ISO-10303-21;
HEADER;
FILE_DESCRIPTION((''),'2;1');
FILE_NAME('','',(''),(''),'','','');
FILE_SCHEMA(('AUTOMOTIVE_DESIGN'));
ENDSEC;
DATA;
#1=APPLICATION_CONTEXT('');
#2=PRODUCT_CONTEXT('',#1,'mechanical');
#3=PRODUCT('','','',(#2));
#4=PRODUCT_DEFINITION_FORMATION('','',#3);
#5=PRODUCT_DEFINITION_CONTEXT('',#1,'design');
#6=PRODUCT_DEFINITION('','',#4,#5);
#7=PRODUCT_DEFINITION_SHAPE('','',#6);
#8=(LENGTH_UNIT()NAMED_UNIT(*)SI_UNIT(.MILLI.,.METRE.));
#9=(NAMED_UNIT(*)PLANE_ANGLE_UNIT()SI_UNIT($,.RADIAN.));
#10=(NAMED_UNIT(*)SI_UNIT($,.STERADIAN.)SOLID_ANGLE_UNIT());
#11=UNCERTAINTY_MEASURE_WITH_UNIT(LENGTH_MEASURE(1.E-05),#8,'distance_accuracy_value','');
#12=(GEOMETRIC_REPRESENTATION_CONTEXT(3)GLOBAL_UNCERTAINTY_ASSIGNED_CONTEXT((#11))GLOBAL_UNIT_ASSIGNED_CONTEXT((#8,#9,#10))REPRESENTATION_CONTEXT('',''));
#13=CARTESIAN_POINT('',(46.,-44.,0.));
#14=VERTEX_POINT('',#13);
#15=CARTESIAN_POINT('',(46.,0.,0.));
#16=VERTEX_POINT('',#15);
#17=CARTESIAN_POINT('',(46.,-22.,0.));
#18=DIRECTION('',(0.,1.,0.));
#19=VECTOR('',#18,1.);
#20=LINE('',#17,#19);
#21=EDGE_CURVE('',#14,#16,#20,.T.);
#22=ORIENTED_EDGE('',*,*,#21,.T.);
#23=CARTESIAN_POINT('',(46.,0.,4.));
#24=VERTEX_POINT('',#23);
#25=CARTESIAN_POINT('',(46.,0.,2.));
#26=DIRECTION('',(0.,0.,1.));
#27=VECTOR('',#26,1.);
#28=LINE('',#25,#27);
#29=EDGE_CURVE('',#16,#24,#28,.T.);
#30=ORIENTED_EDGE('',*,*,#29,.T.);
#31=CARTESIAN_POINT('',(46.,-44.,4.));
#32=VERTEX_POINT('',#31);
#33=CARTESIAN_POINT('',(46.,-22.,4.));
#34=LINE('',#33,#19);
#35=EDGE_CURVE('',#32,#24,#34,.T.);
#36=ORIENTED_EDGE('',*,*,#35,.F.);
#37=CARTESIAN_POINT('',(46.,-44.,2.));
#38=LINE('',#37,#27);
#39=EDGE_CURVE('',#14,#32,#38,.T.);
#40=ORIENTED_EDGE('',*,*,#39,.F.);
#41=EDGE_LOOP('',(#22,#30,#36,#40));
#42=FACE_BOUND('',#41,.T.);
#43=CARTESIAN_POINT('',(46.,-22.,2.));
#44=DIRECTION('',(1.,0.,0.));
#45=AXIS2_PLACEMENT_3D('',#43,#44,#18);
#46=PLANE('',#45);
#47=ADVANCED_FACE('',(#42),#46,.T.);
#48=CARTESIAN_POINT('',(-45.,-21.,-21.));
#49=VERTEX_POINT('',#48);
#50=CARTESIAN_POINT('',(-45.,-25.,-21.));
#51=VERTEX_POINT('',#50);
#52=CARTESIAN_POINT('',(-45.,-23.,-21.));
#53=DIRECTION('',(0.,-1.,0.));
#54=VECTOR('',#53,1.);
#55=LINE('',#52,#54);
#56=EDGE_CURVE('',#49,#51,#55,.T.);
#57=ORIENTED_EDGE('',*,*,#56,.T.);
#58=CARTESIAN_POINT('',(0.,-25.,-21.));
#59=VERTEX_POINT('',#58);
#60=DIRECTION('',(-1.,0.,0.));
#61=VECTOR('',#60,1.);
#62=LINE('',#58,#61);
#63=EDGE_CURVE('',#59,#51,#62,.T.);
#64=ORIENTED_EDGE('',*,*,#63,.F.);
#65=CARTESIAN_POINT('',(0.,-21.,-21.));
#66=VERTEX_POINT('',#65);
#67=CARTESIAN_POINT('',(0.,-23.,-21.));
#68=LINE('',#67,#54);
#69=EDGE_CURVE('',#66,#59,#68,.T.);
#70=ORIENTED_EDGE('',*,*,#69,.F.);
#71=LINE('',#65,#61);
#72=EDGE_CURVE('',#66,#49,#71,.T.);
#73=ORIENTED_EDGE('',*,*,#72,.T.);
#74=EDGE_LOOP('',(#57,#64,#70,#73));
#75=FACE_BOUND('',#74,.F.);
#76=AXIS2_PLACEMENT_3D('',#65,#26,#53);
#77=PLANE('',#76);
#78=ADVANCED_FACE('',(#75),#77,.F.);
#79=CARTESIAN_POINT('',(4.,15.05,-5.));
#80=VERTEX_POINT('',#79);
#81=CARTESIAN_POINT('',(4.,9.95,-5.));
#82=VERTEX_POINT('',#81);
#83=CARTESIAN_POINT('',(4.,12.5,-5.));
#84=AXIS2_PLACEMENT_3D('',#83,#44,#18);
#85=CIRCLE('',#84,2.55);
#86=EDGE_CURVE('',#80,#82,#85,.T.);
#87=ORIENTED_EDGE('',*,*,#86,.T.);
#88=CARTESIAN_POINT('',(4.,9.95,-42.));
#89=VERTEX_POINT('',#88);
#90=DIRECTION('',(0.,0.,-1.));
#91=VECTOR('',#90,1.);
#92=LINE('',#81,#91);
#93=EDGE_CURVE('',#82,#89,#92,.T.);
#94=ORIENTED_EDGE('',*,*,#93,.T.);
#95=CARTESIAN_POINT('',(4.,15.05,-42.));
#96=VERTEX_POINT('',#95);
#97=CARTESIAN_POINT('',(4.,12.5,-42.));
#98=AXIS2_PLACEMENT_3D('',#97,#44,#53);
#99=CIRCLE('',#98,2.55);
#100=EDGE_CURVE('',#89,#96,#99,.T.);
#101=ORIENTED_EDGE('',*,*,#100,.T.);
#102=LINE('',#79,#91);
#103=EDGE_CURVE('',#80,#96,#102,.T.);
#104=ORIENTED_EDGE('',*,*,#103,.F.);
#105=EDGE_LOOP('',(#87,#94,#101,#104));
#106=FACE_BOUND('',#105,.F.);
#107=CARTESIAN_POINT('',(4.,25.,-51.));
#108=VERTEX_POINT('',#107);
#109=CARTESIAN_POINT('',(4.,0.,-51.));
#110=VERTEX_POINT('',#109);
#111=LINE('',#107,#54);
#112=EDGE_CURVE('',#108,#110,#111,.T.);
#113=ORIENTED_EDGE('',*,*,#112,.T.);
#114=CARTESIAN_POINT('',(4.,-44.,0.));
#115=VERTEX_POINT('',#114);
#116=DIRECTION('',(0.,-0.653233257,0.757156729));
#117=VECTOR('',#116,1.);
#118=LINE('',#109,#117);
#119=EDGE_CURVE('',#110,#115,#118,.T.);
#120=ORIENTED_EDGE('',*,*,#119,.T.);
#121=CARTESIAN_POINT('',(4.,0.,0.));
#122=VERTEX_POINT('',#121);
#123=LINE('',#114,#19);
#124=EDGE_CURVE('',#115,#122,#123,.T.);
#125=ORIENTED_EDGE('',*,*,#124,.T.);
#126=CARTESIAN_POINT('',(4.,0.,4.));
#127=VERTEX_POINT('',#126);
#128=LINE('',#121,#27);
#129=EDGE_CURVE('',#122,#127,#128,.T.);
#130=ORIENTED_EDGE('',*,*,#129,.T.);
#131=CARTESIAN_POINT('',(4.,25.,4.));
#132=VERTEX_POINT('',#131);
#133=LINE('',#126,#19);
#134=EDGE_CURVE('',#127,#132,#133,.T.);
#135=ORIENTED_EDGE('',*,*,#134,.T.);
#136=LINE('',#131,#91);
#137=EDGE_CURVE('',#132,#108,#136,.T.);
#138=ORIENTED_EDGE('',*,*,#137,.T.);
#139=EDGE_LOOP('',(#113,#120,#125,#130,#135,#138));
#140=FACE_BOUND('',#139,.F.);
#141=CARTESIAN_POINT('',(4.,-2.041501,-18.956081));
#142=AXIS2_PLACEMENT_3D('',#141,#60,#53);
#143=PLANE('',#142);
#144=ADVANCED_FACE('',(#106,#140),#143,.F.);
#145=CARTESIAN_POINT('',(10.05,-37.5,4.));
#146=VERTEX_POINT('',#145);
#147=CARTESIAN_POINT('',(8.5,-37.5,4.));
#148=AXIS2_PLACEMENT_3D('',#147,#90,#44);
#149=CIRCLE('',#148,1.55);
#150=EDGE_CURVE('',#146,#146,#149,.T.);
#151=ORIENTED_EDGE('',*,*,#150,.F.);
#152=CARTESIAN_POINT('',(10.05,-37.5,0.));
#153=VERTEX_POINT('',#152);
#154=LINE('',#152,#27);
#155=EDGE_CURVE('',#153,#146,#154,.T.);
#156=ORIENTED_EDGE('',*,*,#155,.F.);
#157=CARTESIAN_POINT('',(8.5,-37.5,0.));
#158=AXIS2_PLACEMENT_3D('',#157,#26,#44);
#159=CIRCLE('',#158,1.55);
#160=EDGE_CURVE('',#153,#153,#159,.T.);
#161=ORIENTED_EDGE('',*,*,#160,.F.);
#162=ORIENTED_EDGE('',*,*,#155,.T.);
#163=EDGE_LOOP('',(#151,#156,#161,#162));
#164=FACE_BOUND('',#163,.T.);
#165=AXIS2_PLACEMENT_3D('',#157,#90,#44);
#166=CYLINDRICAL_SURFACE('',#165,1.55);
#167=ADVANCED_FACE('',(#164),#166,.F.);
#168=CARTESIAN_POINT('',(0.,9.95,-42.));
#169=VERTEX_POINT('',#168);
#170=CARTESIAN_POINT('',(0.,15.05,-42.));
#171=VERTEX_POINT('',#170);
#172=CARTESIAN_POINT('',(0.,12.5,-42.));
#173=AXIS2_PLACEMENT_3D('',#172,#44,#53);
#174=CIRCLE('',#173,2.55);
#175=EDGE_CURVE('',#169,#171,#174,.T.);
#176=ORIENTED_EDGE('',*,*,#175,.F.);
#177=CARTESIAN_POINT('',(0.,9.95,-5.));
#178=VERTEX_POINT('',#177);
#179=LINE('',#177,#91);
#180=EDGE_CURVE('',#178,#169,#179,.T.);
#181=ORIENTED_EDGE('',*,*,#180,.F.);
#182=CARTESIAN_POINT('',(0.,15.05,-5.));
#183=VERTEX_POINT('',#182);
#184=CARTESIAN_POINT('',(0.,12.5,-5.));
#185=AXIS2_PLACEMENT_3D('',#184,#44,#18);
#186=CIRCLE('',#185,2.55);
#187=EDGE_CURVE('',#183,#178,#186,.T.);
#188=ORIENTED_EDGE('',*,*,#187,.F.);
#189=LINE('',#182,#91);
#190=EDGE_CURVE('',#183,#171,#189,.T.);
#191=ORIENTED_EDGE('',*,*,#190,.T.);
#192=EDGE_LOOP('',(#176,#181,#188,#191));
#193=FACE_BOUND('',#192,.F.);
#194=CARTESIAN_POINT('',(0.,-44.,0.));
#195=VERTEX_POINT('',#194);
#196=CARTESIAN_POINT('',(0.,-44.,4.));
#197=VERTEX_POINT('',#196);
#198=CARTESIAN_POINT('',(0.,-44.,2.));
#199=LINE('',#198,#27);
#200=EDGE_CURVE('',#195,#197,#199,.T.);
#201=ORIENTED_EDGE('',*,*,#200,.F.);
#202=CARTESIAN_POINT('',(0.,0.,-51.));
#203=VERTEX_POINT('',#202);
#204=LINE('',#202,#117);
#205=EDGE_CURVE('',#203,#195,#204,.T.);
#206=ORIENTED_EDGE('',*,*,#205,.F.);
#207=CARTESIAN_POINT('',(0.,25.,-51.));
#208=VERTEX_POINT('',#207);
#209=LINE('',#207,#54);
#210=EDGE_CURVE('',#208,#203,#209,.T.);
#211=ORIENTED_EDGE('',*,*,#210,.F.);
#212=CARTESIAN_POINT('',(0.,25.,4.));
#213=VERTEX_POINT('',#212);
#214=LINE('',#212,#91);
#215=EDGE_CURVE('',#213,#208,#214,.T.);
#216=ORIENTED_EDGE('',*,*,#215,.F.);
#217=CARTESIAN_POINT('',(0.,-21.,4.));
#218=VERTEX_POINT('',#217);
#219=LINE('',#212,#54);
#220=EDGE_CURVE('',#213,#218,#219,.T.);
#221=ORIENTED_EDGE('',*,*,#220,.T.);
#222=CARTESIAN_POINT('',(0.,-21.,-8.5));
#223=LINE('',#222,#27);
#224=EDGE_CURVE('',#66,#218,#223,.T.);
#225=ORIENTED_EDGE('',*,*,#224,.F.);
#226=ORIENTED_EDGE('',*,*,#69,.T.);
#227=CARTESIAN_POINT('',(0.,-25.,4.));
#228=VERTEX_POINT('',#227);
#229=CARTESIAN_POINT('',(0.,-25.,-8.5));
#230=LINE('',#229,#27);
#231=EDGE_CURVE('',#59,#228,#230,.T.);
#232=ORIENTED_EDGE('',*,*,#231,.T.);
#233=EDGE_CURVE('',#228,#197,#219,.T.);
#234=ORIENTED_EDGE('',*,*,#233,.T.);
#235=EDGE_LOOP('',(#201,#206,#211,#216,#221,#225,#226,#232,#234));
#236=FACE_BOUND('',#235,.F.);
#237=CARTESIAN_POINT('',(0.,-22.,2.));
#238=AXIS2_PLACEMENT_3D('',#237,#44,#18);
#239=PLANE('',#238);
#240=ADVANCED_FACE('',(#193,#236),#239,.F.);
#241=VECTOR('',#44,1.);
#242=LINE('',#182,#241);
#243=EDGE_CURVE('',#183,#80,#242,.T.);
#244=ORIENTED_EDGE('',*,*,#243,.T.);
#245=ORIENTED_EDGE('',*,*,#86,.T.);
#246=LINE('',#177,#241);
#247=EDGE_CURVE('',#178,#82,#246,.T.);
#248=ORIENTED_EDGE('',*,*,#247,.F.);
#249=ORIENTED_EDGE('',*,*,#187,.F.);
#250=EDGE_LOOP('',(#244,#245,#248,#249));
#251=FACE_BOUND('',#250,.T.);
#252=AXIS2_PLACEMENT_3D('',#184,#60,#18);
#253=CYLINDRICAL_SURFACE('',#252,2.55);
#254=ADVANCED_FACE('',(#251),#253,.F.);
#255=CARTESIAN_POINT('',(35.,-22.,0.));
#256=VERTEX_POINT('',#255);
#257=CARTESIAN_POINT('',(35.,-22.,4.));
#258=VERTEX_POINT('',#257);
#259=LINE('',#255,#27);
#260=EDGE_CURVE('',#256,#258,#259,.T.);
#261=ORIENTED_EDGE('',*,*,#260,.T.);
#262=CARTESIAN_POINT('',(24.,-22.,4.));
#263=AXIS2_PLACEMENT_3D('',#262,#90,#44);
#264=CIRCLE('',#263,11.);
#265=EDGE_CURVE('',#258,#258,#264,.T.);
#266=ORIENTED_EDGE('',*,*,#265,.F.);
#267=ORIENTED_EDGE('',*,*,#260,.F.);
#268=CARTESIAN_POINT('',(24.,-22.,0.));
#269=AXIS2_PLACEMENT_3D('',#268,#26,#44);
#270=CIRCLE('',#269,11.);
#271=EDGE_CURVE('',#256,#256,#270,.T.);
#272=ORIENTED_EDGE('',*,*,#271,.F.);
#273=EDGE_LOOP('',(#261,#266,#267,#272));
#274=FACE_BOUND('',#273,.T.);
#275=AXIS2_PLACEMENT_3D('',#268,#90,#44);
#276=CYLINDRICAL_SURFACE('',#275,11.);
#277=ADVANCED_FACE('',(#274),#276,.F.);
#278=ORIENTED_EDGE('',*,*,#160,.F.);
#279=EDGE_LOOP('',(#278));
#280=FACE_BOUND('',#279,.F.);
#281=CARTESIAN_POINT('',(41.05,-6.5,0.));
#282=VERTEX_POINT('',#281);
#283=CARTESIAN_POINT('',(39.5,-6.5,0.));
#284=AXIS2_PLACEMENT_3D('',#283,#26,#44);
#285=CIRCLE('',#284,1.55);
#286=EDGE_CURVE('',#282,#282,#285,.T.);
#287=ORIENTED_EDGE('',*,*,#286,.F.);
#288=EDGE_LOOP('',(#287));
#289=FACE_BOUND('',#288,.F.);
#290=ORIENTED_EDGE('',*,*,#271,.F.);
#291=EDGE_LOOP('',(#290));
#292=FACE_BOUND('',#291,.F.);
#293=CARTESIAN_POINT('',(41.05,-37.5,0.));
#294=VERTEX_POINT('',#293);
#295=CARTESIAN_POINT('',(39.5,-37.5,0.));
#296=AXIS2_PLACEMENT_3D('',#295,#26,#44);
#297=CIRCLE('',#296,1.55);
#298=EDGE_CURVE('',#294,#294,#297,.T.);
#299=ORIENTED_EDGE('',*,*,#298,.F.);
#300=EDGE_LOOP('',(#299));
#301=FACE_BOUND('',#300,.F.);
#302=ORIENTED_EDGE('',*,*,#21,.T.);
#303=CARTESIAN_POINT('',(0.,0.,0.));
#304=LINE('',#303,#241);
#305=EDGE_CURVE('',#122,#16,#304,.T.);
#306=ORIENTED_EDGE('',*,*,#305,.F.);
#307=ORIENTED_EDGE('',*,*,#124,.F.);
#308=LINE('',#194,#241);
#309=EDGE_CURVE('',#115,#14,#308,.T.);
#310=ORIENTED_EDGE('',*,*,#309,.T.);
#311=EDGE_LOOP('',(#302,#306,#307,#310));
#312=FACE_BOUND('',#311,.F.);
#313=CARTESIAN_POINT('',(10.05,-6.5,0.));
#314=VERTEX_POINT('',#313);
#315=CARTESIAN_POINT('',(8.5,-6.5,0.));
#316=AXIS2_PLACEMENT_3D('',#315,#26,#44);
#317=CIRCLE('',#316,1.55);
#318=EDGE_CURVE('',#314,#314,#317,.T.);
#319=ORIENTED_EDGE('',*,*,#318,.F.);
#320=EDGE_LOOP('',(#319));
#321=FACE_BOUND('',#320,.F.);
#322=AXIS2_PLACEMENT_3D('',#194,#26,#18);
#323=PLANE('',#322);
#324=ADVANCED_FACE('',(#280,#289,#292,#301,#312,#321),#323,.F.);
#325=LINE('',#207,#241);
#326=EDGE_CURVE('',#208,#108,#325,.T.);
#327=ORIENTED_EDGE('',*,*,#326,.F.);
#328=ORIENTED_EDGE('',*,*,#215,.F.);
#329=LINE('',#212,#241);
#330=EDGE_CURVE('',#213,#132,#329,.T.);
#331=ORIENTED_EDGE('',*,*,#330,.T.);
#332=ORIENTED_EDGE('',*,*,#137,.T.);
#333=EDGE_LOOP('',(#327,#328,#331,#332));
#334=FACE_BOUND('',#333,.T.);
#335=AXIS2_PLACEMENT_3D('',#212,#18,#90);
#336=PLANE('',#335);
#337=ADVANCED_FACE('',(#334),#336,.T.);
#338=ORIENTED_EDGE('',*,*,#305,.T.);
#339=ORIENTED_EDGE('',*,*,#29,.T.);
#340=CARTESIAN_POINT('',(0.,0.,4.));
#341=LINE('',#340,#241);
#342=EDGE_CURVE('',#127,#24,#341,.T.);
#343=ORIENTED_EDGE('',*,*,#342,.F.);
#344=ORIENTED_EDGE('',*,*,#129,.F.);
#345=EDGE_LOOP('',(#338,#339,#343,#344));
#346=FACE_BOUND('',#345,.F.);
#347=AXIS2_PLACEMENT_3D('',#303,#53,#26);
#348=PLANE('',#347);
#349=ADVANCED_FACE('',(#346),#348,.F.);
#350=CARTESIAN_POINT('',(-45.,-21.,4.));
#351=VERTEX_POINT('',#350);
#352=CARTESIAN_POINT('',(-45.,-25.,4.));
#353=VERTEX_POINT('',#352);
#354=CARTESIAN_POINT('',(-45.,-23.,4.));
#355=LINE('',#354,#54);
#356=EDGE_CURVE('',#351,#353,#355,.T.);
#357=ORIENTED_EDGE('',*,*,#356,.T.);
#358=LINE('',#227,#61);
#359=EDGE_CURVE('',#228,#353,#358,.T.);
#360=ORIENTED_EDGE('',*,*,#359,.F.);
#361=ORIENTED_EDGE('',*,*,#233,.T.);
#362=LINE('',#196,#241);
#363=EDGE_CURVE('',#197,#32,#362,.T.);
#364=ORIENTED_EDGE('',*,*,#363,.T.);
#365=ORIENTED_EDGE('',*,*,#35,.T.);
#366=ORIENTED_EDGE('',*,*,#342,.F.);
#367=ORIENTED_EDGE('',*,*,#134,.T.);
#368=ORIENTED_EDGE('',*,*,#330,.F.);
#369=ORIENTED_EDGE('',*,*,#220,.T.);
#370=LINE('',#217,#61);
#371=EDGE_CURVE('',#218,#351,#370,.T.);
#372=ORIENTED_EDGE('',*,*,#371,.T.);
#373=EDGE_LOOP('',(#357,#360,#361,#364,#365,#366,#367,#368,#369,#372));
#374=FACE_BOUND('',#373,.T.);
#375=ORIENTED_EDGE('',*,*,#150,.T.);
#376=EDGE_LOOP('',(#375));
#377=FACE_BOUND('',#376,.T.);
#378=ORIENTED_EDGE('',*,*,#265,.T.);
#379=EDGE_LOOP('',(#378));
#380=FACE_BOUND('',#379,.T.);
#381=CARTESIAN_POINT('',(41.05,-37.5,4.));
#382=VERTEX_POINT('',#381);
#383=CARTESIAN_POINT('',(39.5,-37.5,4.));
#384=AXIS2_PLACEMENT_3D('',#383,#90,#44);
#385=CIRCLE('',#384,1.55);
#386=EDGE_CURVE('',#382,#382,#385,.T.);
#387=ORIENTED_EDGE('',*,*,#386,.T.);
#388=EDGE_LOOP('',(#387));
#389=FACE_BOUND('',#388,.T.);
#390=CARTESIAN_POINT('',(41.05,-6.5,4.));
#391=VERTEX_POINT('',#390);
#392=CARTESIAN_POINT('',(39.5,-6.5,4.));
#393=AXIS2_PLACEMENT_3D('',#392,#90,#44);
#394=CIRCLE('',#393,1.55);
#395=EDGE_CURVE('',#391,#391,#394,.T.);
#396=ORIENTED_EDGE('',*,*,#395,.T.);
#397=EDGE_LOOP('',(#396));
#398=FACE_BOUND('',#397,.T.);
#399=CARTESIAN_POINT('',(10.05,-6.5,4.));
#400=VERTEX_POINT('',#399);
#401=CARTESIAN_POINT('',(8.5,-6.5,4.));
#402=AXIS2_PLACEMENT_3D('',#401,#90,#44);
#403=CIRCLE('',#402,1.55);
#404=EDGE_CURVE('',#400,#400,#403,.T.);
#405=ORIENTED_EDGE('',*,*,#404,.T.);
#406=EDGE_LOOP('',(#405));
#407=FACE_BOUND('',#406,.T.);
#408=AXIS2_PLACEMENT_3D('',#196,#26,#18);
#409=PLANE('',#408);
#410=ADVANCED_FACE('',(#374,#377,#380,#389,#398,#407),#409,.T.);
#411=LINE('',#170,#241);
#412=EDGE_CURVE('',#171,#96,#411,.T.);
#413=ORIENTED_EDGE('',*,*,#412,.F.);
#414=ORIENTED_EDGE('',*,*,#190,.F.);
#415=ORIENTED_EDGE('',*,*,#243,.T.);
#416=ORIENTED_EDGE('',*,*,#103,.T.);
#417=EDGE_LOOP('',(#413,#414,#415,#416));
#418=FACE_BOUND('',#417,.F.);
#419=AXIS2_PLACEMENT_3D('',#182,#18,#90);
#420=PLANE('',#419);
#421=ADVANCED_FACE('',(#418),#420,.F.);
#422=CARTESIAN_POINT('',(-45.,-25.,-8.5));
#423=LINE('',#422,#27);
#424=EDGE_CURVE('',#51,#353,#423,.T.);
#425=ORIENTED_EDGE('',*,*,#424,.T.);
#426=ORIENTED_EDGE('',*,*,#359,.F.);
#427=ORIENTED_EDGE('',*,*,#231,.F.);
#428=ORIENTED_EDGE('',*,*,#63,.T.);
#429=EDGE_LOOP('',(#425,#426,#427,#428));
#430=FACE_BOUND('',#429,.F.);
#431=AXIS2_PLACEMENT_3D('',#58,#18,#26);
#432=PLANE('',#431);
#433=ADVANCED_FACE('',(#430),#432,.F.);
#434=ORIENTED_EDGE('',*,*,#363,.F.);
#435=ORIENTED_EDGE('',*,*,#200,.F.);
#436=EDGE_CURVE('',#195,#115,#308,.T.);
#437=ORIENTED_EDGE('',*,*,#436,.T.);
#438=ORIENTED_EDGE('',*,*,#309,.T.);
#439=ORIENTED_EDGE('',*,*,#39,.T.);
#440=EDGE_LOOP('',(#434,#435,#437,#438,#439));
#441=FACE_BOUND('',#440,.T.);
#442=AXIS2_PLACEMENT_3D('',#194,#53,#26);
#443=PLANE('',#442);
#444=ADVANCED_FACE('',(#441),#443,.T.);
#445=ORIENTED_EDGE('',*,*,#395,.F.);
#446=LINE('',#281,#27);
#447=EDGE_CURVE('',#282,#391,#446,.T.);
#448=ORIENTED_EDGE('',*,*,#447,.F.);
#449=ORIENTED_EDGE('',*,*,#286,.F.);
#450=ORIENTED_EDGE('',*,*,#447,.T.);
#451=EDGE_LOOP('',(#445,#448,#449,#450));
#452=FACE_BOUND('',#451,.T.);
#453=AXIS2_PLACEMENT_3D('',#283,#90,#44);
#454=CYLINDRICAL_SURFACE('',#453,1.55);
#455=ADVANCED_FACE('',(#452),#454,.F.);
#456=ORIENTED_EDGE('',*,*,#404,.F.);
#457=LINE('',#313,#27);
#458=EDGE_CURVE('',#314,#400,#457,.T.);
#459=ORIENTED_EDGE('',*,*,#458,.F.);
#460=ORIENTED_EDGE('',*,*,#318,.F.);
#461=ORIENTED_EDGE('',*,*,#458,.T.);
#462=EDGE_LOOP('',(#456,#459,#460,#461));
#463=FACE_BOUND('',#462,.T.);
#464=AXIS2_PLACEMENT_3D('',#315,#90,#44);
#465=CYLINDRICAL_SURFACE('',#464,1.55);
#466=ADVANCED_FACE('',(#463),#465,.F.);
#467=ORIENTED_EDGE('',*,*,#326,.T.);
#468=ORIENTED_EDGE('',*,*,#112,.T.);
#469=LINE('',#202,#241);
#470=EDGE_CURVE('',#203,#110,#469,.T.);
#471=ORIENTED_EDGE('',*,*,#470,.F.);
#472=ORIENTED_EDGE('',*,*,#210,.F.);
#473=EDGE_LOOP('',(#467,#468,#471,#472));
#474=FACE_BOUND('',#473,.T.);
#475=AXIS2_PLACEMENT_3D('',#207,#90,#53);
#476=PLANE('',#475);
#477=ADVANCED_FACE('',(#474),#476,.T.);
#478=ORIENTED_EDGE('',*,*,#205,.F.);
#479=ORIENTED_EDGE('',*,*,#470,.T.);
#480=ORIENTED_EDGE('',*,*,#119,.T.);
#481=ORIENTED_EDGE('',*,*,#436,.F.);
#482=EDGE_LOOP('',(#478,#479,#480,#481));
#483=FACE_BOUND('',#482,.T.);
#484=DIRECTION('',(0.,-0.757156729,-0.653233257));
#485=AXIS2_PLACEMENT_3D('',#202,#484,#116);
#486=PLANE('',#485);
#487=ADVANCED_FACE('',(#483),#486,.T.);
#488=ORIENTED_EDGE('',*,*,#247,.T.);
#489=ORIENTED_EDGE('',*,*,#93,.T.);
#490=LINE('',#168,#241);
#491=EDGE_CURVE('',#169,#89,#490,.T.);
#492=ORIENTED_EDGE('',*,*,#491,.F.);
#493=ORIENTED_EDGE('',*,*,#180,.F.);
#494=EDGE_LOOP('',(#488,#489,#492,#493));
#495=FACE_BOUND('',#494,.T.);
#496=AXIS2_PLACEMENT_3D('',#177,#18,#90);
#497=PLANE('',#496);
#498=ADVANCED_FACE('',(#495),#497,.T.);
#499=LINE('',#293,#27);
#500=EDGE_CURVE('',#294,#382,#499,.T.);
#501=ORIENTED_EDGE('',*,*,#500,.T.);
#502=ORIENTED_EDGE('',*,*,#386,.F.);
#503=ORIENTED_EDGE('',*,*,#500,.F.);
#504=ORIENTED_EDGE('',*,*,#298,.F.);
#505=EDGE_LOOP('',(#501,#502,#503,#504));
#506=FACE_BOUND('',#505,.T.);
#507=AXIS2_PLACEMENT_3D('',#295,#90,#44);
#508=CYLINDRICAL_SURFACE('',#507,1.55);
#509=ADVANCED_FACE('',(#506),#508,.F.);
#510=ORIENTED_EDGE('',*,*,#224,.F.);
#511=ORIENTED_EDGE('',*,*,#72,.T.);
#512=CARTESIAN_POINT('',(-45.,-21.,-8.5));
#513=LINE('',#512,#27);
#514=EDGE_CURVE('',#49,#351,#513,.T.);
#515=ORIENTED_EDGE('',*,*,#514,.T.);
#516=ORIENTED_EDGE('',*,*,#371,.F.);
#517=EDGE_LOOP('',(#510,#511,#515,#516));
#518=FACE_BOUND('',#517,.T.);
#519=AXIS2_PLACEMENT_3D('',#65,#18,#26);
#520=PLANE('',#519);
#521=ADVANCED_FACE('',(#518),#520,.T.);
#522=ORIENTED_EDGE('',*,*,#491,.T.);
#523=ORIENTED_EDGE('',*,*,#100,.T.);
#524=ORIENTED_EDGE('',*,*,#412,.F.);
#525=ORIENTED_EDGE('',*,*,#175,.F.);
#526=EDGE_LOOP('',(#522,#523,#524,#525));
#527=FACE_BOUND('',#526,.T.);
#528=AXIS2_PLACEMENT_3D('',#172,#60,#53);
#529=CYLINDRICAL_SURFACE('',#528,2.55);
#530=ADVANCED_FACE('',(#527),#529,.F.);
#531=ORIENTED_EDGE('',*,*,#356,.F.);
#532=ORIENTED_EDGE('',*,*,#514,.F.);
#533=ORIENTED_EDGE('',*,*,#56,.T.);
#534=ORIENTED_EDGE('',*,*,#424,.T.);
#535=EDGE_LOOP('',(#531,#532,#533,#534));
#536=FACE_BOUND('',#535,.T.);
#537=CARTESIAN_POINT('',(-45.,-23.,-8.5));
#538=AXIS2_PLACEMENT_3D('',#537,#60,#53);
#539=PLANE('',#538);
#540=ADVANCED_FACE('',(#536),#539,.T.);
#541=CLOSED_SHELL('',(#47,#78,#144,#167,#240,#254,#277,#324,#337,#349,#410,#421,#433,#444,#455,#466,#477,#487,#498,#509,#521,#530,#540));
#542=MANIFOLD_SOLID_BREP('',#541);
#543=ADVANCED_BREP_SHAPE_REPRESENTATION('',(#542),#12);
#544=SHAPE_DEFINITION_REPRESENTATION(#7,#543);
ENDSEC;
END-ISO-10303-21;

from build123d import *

# Parameters (mm, degrees)
PAD012_DEPTH    = 4
SKETCH030_W     = 44
SKETCH030_H     = 4
PAD013_DEPTH    = 46
SKETCH031_R     = 1.55
SKETCH031_R_2   = 11
POCKET012_DEPTH = 4.001
SKETCH032_W     = 4
SKETCH032_H     = 25
PAD003_DEPTH    = 45


with BuildPart() as part:
    # Sketch029 → Pad012 (new body)
    with BuildSketch(Plane.YZ):
        Polygon((0, 4), (25, 4), (25, -51), (0, -51), (-44, 0), (0, 0), align=None)
        with BuildLine():
            ThreePointArc((15.05, -5), (12.5, -2.45), (9.95, -5))
            Line((9.95, -5), (9.95, -42))
            ThreePointArc((9.95, -42), (12.5, -44.55), (15.05, -42))
            Line((15.05, -5), (15.05, -42))
        make_face(mode=Mode.SUBTRACT)
    extrude(amount=PAD012_DEPTH)

    # Sketch030 → Pad013 (join)
    with BuildSketch(Plane.YZ):
        with Locations((-22, 2)):
            Rectangle(SKETCH030_W, SKETCH030_H)
    extrude(amount=PAD013_DEPTH)

    # Sketch031 → Pocket012 (cut, through all)
    with BuildSketch(Plane.XY):
        with Locations((8.5, -6.5)):
            Circle(SKETCH031_R)
        with Locations((39.5, -6.5)):
            Circle(SKETCH031_R)
        with Locations((39.5, -37.5)):
            Circle(SKETCH031_R)
        with Locations((8.5, -37.5)):
            Circle(SKETCH031_R)
        with Locations((24, -22)):
            Circle(SKETCH031_R_2)
    extrude(amount=POCKET012_DEPTH, mode=Mode.SUBTRACT)

    # Sketch032 → Pad003 (join)
    with BuildSketch(Plane(origin=(0, 0, 0), x_dir=(0, -1, 0), z_dir=(-1, 0, 0))):
        with Locations((23, -8.5)):
            Rectangle(SKETCH032_W, SKETCH032_H)
    extrude(amount=PAD003_DEPTH)


solid = part.part
